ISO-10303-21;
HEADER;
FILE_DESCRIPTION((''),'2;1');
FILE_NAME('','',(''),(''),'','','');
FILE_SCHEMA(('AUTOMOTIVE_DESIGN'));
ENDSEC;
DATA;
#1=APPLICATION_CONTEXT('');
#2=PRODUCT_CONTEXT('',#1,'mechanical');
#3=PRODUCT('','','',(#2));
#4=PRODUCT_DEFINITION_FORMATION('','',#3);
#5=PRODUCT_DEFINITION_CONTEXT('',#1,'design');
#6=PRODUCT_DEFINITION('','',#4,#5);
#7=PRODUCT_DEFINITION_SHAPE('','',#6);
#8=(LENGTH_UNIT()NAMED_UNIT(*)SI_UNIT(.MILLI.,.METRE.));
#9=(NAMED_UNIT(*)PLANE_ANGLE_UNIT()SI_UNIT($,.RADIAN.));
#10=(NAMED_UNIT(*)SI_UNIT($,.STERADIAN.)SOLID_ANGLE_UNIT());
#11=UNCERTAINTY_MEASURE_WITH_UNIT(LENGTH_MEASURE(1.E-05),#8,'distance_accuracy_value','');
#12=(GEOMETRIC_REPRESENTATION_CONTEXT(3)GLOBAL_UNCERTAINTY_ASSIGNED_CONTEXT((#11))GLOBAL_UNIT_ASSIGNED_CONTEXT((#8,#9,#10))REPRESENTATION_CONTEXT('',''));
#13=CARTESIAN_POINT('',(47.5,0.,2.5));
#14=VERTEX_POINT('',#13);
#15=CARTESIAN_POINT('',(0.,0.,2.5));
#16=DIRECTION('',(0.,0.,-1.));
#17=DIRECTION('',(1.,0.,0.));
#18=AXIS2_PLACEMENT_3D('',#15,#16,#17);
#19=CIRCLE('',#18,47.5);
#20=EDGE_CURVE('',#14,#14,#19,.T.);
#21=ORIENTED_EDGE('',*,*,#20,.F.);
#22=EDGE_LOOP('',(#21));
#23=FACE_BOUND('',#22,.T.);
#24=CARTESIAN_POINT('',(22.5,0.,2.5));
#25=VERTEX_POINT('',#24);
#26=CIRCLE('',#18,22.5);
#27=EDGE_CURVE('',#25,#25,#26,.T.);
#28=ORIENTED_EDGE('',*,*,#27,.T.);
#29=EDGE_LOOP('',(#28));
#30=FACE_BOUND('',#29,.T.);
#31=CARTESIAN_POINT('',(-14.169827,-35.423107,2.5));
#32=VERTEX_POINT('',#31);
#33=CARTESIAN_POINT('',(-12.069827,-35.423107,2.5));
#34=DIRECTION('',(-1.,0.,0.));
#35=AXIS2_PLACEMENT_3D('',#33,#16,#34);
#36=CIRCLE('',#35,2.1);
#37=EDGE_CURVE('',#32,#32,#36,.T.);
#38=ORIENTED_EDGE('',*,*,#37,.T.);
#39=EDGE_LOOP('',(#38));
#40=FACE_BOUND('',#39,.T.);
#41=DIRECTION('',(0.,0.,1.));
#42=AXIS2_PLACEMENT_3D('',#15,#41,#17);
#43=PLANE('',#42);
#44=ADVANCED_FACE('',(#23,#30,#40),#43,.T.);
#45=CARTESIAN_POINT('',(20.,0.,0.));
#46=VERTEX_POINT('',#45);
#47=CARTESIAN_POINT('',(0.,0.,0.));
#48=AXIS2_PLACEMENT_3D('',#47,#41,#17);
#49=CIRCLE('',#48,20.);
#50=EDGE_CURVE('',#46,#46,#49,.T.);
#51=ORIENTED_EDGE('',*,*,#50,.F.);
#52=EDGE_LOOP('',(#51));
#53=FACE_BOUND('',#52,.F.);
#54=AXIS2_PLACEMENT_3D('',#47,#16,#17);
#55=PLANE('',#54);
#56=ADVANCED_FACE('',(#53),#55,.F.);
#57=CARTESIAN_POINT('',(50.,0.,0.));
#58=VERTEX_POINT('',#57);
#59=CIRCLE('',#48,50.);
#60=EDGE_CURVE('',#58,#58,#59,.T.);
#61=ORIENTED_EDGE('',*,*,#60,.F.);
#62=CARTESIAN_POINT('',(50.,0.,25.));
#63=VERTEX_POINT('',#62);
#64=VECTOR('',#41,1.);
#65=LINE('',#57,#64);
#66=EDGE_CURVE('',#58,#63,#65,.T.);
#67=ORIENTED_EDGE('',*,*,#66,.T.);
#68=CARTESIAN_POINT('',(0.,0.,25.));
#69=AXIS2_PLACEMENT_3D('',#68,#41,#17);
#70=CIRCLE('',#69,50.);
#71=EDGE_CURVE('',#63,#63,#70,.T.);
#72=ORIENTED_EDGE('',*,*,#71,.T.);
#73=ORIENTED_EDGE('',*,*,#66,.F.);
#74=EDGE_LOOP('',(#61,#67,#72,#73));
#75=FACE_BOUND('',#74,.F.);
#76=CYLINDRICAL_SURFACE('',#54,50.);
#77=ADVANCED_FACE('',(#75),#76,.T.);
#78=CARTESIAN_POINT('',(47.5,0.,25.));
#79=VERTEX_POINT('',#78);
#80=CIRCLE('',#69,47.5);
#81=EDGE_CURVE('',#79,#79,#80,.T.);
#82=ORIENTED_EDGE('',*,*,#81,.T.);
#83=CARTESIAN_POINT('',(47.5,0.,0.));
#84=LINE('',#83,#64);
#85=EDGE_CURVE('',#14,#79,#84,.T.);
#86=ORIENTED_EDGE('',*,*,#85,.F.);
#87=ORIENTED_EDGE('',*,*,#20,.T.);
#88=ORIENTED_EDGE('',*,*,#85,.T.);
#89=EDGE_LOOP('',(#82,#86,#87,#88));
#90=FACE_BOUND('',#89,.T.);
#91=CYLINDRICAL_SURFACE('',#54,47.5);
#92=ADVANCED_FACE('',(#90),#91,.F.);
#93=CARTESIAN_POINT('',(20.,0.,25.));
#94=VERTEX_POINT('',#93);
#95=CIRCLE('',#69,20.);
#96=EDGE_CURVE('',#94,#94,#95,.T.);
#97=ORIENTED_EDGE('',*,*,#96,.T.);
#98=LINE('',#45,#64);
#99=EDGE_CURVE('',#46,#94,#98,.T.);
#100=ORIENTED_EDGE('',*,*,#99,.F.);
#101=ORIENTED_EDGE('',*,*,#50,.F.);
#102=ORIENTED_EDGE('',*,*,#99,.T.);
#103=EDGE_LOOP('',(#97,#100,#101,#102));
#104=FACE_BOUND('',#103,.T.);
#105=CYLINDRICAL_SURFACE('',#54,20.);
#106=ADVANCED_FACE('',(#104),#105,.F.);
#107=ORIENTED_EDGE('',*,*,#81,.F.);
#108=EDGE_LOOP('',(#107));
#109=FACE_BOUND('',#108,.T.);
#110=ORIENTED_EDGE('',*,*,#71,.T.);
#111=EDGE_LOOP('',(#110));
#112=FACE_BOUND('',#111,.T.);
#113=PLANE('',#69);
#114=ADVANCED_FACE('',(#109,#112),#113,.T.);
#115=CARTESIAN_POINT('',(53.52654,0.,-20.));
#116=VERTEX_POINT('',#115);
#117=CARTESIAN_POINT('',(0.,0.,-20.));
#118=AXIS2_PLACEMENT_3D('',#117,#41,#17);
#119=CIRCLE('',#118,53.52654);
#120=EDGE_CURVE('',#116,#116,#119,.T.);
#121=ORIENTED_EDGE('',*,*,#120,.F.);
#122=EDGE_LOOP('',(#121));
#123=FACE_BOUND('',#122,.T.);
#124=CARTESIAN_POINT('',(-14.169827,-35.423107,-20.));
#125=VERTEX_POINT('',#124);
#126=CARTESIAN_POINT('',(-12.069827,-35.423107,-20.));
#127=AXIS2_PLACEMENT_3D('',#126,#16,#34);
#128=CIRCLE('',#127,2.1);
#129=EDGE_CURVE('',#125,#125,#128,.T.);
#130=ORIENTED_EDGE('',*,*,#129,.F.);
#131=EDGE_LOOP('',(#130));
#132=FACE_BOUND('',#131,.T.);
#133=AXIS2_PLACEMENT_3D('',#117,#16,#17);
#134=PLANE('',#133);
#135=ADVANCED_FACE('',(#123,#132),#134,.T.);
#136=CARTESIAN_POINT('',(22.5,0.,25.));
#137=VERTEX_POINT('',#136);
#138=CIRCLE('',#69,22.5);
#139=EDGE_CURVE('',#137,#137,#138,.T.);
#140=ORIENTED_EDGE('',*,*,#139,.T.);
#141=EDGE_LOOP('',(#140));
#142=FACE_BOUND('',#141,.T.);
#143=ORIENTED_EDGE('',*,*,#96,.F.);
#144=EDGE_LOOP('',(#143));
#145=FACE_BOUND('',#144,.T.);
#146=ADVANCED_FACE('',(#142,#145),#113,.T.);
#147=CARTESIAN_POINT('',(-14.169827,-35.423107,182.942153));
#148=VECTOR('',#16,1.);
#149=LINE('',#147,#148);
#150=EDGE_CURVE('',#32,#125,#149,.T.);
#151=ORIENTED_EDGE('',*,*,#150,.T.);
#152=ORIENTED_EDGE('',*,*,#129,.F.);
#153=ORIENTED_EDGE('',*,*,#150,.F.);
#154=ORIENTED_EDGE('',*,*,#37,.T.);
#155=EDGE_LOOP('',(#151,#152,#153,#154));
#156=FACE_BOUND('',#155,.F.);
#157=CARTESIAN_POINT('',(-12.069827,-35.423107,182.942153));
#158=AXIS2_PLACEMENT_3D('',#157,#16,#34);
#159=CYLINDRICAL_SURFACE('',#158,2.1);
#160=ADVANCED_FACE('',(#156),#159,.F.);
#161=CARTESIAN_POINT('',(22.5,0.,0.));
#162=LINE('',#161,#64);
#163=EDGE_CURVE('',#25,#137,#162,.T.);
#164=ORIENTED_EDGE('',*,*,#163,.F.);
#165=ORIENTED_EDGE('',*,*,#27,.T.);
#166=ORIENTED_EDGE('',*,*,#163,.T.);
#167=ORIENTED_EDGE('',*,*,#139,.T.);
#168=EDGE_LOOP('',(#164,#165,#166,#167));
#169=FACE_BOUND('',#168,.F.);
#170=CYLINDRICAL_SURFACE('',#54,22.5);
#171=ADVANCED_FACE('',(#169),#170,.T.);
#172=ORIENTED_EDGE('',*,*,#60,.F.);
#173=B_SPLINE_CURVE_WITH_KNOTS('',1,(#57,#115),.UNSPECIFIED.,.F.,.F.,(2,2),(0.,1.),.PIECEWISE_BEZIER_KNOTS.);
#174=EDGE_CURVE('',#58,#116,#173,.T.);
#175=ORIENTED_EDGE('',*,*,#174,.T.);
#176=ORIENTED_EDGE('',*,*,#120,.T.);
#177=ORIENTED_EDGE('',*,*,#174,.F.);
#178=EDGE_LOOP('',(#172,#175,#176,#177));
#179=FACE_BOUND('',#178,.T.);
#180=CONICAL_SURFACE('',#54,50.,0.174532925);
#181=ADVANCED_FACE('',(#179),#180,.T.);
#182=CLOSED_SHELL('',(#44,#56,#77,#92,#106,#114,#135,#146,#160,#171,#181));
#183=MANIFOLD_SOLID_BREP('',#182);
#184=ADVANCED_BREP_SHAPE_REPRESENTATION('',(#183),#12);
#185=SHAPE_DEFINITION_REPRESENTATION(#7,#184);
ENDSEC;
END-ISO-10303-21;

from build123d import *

# Parameters (mm, degrees)
F0_R     = 50
F0_R_2   = 20
F1_DEPTH = 25
F3_T     = -2.5
F4_R     = 50
F5_DEPTH = 20
F5_TAPER = -10
F6_D     = 4.2


with BuildPart() as f1:
    # F0 (on Top) → F1 (new body)
    with BuildSketch(Plane.XY):
        Circle(F0_R)
        Circle(F0_R_2, mode=Mode.SUBTRACT)
    extrude(amount=F1_DEPTH)

    # F3
    f3_openings = [f1.faces().sort_by_distance(p)[0] for p in [
        (-48.585786, 0, 25),
    ]]
    offset(amount=F3_T, openings=f3_openings)

    # F4 (on face) → F5 (join)
    with BuildSketch(Plane(origin=(0, 0, 0), x_dir=(1, 0, 0), z_dir=(0, 0, -1))):
        Circle(F4_R)
    extrude(amount=F5_DEPTH, taper=F5_TAPER)

    # F6 (through all)
    with Locations(Plane.XY.offset(25)):
        with Locations((-12.0698269457, -35.4231074452)):
            Hole(F6_D / 2)


solid = f1.part
